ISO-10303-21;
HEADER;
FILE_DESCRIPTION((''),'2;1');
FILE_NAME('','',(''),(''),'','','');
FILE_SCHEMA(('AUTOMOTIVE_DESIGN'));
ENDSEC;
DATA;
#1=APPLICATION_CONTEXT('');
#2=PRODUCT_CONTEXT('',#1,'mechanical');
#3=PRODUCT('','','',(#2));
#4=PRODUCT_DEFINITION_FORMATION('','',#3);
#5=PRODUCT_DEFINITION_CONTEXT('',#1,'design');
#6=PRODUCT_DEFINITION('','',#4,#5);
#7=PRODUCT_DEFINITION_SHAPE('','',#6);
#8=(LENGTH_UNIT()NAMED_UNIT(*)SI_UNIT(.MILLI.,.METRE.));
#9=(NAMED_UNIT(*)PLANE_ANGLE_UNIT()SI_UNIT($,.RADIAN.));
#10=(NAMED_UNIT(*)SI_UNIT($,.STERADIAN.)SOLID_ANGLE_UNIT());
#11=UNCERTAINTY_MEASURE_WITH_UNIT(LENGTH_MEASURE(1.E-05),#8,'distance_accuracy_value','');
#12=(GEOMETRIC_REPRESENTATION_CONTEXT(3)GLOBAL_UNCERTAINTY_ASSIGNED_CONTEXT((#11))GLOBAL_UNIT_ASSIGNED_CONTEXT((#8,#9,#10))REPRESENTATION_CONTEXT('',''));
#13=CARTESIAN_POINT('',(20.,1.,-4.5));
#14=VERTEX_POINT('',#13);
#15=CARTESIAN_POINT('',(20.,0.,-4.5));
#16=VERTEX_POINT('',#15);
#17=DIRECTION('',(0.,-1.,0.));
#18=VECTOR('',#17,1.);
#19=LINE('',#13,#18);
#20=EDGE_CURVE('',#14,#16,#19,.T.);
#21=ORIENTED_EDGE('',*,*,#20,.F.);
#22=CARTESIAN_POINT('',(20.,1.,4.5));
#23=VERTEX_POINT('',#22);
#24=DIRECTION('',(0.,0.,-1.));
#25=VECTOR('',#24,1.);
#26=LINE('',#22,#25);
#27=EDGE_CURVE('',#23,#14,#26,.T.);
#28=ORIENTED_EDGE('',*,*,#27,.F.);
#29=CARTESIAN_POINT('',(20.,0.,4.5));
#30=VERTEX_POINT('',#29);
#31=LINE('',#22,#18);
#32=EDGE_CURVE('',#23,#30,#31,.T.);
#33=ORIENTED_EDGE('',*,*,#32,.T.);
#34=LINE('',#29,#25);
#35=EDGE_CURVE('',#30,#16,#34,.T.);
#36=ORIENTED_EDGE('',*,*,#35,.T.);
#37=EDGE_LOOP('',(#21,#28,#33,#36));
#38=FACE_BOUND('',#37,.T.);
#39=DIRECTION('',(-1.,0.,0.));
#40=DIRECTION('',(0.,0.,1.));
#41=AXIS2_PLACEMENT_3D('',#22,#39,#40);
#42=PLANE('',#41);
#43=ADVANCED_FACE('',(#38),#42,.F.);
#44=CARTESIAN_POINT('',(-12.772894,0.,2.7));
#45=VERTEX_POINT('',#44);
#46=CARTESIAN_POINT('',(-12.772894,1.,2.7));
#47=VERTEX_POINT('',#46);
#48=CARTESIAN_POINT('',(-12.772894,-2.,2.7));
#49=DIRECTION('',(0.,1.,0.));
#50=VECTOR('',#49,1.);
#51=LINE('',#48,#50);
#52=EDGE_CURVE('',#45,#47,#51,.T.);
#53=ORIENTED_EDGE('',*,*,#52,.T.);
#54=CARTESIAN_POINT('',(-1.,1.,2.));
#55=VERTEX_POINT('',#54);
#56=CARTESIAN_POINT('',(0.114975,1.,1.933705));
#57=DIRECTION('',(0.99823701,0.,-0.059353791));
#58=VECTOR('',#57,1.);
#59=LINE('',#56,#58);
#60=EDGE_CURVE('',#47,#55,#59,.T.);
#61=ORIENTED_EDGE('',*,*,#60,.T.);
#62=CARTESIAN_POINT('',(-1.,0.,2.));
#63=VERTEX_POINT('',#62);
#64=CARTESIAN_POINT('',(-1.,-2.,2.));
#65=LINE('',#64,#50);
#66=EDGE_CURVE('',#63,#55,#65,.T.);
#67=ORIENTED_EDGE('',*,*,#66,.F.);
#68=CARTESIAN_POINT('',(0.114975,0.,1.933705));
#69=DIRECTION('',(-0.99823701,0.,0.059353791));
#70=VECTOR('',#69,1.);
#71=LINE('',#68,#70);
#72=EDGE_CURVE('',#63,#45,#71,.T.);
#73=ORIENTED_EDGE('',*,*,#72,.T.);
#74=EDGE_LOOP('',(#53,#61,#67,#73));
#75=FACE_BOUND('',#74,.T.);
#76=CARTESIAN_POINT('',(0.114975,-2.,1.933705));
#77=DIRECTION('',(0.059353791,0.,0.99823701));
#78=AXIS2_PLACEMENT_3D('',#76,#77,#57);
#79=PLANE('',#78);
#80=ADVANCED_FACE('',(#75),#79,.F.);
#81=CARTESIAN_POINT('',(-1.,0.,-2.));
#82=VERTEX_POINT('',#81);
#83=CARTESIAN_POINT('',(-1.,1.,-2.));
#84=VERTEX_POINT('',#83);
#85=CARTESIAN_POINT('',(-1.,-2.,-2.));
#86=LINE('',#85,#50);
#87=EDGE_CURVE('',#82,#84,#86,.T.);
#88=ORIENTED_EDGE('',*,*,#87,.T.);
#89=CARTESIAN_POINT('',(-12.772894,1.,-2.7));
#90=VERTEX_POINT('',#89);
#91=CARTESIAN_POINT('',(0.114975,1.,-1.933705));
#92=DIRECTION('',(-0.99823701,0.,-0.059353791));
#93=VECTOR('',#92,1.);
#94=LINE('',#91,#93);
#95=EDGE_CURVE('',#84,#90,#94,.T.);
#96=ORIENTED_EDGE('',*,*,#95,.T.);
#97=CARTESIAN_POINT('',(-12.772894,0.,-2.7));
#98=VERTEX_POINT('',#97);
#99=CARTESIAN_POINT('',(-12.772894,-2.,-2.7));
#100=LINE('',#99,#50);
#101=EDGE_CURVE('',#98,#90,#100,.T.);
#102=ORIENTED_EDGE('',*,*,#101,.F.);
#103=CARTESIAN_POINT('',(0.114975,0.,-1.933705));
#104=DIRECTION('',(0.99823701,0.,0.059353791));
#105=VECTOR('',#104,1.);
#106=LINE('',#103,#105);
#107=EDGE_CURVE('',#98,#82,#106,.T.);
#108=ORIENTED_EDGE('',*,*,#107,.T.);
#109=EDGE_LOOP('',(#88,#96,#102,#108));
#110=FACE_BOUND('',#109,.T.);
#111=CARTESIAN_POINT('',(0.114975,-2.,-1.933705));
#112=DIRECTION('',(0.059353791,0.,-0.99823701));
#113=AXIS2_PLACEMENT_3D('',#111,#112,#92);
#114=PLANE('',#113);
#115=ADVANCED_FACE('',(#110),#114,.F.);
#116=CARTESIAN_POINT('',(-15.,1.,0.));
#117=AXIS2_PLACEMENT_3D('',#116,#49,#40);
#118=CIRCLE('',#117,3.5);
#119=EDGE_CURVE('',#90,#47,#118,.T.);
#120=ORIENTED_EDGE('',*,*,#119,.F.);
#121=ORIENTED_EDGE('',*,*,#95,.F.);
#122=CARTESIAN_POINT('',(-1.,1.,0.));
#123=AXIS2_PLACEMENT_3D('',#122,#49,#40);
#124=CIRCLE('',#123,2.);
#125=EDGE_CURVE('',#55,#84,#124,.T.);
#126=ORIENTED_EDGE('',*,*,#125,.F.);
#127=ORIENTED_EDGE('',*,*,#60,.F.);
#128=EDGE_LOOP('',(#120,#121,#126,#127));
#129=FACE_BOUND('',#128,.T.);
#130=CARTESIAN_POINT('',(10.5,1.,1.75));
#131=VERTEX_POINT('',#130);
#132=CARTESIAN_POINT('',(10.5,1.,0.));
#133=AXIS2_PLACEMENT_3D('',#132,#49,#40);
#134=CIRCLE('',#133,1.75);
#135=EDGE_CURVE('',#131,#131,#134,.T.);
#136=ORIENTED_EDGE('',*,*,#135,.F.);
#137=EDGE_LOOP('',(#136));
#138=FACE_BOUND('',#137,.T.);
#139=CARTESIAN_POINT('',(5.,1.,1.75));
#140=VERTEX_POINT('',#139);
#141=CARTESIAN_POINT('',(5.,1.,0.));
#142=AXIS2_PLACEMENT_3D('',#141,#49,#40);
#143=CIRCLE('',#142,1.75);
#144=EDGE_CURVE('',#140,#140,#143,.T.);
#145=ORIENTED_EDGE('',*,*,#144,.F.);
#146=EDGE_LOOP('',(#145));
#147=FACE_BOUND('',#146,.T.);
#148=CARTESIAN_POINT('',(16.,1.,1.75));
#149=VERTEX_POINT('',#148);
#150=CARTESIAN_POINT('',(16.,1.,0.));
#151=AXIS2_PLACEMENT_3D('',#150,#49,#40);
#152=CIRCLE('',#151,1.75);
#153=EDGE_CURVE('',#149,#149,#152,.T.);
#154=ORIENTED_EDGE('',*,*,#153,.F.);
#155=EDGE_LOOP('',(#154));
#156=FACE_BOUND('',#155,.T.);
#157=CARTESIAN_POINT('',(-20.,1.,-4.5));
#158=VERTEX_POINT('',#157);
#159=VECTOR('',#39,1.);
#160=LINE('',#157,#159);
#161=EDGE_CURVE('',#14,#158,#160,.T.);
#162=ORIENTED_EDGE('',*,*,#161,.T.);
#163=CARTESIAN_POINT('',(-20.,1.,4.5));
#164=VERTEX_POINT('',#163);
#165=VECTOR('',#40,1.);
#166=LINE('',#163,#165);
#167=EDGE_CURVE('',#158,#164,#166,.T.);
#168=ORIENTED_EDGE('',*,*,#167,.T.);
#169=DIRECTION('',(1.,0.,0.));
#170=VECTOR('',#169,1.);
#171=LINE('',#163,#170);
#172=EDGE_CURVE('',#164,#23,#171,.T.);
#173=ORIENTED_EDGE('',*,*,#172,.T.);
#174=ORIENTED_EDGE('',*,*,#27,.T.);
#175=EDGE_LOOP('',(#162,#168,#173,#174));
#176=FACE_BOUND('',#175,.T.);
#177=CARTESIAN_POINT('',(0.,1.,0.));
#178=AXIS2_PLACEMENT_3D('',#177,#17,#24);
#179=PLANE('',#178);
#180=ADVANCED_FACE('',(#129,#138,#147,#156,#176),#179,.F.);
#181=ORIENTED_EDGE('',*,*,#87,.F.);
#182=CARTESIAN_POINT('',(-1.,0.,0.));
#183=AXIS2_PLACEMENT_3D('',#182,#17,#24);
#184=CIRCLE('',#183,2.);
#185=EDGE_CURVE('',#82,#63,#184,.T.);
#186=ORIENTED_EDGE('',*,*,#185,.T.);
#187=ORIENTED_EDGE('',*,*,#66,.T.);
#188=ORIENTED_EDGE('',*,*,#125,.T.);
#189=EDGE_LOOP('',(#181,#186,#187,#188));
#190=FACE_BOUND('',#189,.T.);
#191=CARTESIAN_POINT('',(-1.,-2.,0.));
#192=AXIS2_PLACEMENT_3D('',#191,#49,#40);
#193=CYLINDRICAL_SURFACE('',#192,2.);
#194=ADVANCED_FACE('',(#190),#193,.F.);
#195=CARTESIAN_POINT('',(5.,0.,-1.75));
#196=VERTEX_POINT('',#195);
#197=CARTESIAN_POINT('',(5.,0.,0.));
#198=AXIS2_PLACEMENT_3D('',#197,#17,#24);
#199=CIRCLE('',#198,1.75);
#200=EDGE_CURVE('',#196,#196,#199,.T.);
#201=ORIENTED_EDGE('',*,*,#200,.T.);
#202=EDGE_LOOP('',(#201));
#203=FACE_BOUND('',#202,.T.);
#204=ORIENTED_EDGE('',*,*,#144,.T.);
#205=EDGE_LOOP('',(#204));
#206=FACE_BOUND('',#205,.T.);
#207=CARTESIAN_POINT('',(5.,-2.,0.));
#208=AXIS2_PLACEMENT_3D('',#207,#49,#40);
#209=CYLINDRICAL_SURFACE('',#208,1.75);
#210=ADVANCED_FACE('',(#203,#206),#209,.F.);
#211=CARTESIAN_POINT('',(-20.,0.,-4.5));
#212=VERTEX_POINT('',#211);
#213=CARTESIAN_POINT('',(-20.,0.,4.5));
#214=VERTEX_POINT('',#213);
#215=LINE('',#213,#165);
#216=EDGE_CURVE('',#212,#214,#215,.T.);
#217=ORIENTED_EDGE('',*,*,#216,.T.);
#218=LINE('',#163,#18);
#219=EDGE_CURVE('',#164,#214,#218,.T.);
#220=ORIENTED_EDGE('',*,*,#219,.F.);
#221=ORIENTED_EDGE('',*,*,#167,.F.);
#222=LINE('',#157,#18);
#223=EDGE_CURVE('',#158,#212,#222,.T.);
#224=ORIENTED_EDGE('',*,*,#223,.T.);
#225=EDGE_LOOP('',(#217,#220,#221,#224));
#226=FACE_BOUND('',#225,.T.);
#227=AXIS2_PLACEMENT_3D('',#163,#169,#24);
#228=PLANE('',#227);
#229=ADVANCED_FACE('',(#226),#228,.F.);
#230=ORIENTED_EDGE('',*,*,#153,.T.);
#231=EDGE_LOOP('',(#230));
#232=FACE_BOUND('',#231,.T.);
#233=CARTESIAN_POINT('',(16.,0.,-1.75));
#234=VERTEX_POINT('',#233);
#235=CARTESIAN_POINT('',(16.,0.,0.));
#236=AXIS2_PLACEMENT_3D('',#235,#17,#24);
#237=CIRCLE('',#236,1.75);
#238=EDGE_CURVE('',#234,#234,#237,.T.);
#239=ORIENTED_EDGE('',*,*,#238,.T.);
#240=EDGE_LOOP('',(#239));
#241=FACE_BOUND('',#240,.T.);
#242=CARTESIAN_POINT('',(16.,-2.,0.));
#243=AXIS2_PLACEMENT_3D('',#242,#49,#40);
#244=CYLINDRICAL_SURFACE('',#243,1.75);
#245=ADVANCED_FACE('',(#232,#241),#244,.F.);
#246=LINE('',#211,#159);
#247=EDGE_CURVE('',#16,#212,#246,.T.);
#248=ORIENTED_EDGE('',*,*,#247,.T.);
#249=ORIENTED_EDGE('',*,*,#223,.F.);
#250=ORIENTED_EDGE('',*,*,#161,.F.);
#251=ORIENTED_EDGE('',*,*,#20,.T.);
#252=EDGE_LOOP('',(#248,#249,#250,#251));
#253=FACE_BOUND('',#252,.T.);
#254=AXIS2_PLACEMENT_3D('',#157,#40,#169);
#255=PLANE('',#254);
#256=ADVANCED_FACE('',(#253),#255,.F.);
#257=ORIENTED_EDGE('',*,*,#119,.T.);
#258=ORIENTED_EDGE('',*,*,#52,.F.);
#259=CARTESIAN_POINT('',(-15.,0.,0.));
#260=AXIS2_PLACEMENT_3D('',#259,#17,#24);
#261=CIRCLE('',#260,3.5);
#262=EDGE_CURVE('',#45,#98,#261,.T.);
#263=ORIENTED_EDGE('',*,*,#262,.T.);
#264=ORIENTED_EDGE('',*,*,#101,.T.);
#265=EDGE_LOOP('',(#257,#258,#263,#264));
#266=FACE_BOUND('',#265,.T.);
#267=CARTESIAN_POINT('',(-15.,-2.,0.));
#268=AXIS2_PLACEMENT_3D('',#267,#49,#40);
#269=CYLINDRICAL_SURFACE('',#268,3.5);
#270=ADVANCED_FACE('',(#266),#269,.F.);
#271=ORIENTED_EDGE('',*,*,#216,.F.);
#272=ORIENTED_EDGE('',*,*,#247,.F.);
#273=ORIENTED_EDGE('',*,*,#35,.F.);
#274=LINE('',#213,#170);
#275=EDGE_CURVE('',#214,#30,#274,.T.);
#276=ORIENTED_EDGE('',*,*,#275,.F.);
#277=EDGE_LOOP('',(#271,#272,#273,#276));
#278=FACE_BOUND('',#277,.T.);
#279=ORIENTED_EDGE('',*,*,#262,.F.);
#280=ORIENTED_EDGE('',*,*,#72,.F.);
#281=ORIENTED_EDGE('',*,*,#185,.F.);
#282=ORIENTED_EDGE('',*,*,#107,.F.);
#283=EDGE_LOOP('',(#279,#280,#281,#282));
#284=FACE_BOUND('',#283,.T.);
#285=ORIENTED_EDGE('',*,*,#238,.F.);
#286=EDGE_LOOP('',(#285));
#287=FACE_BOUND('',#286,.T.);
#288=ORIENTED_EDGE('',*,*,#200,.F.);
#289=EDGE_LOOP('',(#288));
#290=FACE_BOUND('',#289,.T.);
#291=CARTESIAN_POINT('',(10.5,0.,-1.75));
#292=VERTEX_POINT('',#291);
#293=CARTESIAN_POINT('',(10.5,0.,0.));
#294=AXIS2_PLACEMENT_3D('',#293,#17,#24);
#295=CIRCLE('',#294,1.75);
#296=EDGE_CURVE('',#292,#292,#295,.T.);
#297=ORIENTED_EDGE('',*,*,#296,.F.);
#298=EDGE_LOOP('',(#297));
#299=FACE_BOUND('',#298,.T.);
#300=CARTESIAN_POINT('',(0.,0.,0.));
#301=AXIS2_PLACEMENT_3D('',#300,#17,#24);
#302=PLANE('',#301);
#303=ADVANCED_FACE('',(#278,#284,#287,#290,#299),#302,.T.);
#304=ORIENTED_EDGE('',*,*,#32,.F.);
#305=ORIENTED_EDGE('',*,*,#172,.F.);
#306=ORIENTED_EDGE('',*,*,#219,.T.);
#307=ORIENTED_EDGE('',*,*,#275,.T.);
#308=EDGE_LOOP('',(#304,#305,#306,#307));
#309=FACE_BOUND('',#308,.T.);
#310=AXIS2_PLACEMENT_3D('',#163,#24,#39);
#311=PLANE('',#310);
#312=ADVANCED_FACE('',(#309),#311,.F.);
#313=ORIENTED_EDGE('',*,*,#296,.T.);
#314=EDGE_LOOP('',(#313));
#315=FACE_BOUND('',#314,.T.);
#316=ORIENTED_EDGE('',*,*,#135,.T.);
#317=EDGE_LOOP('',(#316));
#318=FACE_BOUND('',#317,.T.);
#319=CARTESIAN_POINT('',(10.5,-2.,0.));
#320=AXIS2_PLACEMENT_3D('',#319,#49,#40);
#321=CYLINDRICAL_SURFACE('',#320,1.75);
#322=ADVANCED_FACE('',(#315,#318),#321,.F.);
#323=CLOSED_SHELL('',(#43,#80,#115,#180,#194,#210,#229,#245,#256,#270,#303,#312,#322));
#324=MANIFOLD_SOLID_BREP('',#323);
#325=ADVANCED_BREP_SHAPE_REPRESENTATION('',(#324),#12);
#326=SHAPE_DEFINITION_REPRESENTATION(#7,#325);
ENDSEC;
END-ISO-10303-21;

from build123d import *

# Parameters (mm, degrees)
SKETCH2_W           = 40
SKETCH2_H           = 9
BOSS_EXTRUDE1_DEPTH = 1
CUT_EXTRUDE1_DEPTH  = 3
SKETCH4_R           = 1.75
CUT_EXTRUDE2_DEPTH  = 3
LPATTERN1_COUNT     = 3
LPATTERN1_PITCH     = 5.5


with BuildPart() as part:
    # Sketch2 → Boss-Extrude1 (new body)
    with BuildSketch(Plane(origin=(0, 0, 0), x_dir=(1, 0, 0), z_dir=(0, 1, 0))):
        Rectangle(SKETCH2_W, SKETCH2_H)
    extrude(amount=BOSS_EXTRUDE1_DEPTH)

    # Sketch3 → Cut-Extrude1 (cut)
    with BuildSketch(Plane(origin=(0, 1, 0), x_dir=(1, 0, 0), z_dir=(0, 1, 0))):
        with BuildLine():
            Line((-12.772894255, -2.7), (-1, -2))
            ThreePointArc((-1, -2), (1, 0), (-1, 2))
            Line((-1, 2), (-12.772894255, 2.7))
            ThreePointArc((-12.772894255, 2.7), (-18.5, 0), (-12.772894255, -2.7))
        make_face()
    extrude(amount=-CUT_EXTRUDE1_DEPTH, mode=Mode.SUBTRACT)

    # Sketch4 → Cut-Extrude2 (cut)
    with BuildSketch(Plane(origin=(0, 1, 0), x_dir=(1, 0, 0), z_dir=(0, 1, 0))):
        with Locations((5, 0)):
            Circle(SKETCH4_R)
    cut_extrude2 = extrude(amount=-CUT_EXTRUDE2_DEPTH, mode=Mode.SUBTRACT)

    # LPattern1: Cut-Extrude2 ×3
    with Locations(*[(i * LPATTERN1_PITCH, 0, 0) for i in range(1, LPATTERN1_COUNT)]):
        add(cut_extrude2, mode=Mode.SUBTRACT)


solid = part.part
